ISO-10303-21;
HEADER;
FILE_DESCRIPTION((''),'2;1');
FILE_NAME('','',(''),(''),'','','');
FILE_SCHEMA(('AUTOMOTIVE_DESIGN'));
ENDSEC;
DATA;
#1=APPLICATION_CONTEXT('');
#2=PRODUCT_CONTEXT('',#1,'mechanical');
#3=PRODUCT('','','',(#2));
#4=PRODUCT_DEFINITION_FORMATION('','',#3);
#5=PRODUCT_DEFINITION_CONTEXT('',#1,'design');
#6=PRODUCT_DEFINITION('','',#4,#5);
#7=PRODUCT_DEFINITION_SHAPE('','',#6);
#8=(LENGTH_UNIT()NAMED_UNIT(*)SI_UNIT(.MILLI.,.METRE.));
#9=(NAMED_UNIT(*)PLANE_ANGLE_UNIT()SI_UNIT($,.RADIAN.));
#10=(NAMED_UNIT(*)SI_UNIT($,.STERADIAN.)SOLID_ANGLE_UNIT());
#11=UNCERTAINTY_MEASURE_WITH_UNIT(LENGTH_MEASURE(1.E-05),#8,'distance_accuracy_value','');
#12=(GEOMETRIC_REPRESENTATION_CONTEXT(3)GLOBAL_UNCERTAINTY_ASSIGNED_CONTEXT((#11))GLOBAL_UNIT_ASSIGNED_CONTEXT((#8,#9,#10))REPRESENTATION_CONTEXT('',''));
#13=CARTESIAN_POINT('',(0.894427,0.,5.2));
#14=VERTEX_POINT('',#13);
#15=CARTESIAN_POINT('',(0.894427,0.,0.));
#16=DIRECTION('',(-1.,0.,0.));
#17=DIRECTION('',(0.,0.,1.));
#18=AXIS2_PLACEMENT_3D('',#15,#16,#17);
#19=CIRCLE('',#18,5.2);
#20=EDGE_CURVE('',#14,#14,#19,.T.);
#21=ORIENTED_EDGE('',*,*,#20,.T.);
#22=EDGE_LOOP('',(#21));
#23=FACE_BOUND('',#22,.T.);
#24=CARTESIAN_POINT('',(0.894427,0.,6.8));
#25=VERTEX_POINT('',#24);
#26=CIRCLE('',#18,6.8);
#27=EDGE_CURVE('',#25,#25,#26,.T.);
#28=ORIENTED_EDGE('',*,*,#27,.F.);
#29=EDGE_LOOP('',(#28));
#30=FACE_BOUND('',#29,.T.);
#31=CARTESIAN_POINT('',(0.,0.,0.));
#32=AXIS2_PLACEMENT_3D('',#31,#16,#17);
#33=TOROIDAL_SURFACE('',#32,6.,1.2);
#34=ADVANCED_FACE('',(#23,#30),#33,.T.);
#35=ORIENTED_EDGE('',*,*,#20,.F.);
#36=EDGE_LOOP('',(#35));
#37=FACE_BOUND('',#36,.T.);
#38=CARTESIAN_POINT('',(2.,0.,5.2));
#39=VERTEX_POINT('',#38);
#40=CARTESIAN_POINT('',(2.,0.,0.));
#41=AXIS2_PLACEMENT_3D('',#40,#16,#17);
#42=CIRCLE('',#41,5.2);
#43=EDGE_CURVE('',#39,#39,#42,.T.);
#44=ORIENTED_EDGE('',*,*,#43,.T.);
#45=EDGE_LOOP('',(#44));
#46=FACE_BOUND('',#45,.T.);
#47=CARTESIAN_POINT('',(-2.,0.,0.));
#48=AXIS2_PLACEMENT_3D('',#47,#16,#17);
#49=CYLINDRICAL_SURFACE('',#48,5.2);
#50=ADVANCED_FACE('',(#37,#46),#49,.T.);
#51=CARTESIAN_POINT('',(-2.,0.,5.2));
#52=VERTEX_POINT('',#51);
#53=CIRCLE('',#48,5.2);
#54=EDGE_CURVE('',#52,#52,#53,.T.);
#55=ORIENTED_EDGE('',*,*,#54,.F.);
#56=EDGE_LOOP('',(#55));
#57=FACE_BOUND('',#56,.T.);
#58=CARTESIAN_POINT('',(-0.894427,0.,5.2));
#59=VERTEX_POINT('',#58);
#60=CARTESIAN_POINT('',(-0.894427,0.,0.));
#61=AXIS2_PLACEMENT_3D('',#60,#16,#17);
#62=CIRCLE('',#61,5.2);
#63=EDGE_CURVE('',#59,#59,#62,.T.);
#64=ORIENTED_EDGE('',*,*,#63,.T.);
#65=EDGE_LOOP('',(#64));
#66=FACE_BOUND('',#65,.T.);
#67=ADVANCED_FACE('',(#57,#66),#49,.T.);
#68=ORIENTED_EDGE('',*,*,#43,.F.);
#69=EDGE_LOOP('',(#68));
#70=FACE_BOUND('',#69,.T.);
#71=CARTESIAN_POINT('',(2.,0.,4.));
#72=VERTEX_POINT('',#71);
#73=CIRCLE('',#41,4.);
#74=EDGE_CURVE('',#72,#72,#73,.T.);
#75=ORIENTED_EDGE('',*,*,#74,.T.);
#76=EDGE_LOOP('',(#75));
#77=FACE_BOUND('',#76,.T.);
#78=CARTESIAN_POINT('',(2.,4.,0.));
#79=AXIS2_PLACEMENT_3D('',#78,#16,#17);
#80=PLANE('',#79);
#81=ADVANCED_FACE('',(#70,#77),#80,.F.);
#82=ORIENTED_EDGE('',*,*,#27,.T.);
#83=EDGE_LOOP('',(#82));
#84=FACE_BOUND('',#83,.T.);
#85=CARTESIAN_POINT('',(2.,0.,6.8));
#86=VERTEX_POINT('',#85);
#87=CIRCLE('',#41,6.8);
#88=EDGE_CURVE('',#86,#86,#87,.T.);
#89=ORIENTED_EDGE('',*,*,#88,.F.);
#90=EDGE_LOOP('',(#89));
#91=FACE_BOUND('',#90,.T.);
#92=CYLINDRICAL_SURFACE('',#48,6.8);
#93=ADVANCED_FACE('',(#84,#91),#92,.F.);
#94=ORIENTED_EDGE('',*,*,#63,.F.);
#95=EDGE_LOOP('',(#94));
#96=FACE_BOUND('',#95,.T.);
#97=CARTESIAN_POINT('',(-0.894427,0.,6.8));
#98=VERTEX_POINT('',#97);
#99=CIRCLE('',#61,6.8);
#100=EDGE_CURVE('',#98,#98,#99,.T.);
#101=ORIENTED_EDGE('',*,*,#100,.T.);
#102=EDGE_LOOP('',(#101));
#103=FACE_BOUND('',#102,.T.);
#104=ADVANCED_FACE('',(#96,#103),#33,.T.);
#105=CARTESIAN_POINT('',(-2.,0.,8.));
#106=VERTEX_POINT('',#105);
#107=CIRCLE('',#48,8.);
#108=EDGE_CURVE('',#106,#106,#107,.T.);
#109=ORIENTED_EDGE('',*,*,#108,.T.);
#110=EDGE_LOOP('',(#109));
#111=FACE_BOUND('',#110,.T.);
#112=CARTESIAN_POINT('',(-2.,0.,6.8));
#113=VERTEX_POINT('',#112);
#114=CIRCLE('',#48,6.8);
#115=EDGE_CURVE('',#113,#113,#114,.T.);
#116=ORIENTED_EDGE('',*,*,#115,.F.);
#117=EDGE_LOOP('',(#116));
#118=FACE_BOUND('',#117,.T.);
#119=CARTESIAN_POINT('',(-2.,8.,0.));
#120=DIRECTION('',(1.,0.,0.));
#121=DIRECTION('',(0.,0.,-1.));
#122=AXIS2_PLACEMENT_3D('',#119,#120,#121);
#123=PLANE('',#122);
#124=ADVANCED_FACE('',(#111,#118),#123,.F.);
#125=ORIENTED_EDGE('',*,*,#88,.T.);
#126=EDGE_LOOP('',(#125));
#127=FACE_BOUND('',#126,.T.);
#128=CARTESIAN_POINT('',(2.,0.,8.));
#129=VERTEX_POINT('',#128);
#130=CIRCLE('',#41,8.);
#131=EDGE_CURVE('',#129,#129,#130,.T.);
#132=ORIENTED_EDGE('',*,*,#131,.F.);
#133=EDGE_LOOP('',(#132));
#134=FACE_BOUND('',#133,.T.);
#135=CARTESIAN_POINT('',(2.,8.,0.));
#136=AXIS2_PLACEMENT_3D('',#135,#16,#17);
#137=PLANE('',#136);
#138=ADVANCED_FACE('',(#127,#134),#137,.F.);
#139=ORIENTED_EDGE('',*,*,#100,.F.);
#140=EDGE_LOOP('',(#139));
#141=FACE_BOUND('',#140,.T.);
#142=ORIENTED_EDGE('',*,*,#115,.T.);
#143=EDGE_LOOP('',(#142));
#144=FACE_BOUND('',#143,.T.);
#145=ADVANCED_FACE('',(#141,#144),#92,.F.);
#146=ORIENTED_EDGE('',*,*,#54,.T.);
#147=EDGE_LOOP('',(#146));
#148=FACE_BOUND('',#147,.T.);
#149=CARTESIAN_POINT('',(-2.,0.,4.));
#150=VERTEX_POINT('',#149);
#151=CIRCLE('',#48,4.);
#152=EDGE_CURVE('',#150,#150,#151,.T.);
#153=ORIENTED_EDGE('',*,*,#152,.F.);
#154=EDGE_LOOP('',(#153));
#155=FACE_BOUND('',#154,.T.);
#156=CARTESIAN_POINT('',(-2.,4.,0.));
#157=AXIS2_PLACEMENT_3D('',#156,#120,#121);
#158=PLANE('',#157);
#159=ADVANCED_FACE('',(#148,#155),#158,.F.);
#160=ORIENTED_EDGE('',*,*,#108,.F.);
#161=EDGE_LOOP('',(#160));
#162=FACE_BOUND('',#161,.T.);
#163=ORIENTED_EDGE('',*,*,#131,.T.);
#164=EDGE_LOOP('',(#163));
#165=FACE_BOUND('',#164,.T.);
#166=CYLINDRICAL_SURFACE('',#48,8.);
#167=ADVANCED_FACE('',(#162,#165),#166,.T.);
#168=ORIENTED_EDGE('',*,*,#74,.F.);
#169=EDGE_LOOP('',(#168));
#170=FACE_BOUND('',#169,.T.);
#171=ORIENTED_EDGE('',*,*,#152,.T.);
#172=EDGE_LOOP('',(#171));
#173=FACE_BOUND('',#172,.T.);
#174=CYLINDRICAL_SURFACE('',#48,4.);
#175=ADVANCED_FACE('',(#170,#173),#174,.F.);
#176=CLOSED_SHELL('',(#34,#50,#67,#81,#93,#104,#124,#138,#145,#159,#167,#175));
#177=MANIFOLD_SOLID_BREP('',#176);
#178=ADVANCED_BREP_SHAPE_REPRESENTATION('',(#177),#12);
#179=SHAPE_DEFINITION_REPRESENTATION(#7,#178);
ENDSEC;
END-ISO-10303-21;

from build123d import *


with BuildPart() as part:
    # Esquisse1 → Révolution1 (revolve)
    with BuildSketch(Plane.XY, mode=Mode.PRIVATE) as r_volution1_sk:
        with BuildLine():
            Line((-2, 4), (2, 4))
            Line((2, 4), (2, 5.2))
            Line((2, 5.2), (0.894427191, 5.2))
            ThreePointArc((0.894427191, 5.2), (1.2, 6), (0.894427191, 6.8))
            Line((0.894427191, 6.8), (2, 6.8))
            Line((2, 6.8), (2, 8))
            Line((2, 8), (-2, 8))
            Line((-2, 8), (-2, 6.8))
            Line((-2, 6.8), (-0.894427191, 6.8))
            ThreePointArc((-0.894427191, 6.8), (-1.2, 6), (-0.894427191, 5.2))
            Line((-0.894427191, 5.2), (-2, 5.2))
            Line((-2, 5.2), (-2, 4))
        make_face()
    revolve(r_volution1_sk.sketch.rotate(Axis((-2, 0, 0), (1, 0, 0)), 90), axis=Axis((-2, 0, 0), (1, 0, 0)))


solid = part.part
